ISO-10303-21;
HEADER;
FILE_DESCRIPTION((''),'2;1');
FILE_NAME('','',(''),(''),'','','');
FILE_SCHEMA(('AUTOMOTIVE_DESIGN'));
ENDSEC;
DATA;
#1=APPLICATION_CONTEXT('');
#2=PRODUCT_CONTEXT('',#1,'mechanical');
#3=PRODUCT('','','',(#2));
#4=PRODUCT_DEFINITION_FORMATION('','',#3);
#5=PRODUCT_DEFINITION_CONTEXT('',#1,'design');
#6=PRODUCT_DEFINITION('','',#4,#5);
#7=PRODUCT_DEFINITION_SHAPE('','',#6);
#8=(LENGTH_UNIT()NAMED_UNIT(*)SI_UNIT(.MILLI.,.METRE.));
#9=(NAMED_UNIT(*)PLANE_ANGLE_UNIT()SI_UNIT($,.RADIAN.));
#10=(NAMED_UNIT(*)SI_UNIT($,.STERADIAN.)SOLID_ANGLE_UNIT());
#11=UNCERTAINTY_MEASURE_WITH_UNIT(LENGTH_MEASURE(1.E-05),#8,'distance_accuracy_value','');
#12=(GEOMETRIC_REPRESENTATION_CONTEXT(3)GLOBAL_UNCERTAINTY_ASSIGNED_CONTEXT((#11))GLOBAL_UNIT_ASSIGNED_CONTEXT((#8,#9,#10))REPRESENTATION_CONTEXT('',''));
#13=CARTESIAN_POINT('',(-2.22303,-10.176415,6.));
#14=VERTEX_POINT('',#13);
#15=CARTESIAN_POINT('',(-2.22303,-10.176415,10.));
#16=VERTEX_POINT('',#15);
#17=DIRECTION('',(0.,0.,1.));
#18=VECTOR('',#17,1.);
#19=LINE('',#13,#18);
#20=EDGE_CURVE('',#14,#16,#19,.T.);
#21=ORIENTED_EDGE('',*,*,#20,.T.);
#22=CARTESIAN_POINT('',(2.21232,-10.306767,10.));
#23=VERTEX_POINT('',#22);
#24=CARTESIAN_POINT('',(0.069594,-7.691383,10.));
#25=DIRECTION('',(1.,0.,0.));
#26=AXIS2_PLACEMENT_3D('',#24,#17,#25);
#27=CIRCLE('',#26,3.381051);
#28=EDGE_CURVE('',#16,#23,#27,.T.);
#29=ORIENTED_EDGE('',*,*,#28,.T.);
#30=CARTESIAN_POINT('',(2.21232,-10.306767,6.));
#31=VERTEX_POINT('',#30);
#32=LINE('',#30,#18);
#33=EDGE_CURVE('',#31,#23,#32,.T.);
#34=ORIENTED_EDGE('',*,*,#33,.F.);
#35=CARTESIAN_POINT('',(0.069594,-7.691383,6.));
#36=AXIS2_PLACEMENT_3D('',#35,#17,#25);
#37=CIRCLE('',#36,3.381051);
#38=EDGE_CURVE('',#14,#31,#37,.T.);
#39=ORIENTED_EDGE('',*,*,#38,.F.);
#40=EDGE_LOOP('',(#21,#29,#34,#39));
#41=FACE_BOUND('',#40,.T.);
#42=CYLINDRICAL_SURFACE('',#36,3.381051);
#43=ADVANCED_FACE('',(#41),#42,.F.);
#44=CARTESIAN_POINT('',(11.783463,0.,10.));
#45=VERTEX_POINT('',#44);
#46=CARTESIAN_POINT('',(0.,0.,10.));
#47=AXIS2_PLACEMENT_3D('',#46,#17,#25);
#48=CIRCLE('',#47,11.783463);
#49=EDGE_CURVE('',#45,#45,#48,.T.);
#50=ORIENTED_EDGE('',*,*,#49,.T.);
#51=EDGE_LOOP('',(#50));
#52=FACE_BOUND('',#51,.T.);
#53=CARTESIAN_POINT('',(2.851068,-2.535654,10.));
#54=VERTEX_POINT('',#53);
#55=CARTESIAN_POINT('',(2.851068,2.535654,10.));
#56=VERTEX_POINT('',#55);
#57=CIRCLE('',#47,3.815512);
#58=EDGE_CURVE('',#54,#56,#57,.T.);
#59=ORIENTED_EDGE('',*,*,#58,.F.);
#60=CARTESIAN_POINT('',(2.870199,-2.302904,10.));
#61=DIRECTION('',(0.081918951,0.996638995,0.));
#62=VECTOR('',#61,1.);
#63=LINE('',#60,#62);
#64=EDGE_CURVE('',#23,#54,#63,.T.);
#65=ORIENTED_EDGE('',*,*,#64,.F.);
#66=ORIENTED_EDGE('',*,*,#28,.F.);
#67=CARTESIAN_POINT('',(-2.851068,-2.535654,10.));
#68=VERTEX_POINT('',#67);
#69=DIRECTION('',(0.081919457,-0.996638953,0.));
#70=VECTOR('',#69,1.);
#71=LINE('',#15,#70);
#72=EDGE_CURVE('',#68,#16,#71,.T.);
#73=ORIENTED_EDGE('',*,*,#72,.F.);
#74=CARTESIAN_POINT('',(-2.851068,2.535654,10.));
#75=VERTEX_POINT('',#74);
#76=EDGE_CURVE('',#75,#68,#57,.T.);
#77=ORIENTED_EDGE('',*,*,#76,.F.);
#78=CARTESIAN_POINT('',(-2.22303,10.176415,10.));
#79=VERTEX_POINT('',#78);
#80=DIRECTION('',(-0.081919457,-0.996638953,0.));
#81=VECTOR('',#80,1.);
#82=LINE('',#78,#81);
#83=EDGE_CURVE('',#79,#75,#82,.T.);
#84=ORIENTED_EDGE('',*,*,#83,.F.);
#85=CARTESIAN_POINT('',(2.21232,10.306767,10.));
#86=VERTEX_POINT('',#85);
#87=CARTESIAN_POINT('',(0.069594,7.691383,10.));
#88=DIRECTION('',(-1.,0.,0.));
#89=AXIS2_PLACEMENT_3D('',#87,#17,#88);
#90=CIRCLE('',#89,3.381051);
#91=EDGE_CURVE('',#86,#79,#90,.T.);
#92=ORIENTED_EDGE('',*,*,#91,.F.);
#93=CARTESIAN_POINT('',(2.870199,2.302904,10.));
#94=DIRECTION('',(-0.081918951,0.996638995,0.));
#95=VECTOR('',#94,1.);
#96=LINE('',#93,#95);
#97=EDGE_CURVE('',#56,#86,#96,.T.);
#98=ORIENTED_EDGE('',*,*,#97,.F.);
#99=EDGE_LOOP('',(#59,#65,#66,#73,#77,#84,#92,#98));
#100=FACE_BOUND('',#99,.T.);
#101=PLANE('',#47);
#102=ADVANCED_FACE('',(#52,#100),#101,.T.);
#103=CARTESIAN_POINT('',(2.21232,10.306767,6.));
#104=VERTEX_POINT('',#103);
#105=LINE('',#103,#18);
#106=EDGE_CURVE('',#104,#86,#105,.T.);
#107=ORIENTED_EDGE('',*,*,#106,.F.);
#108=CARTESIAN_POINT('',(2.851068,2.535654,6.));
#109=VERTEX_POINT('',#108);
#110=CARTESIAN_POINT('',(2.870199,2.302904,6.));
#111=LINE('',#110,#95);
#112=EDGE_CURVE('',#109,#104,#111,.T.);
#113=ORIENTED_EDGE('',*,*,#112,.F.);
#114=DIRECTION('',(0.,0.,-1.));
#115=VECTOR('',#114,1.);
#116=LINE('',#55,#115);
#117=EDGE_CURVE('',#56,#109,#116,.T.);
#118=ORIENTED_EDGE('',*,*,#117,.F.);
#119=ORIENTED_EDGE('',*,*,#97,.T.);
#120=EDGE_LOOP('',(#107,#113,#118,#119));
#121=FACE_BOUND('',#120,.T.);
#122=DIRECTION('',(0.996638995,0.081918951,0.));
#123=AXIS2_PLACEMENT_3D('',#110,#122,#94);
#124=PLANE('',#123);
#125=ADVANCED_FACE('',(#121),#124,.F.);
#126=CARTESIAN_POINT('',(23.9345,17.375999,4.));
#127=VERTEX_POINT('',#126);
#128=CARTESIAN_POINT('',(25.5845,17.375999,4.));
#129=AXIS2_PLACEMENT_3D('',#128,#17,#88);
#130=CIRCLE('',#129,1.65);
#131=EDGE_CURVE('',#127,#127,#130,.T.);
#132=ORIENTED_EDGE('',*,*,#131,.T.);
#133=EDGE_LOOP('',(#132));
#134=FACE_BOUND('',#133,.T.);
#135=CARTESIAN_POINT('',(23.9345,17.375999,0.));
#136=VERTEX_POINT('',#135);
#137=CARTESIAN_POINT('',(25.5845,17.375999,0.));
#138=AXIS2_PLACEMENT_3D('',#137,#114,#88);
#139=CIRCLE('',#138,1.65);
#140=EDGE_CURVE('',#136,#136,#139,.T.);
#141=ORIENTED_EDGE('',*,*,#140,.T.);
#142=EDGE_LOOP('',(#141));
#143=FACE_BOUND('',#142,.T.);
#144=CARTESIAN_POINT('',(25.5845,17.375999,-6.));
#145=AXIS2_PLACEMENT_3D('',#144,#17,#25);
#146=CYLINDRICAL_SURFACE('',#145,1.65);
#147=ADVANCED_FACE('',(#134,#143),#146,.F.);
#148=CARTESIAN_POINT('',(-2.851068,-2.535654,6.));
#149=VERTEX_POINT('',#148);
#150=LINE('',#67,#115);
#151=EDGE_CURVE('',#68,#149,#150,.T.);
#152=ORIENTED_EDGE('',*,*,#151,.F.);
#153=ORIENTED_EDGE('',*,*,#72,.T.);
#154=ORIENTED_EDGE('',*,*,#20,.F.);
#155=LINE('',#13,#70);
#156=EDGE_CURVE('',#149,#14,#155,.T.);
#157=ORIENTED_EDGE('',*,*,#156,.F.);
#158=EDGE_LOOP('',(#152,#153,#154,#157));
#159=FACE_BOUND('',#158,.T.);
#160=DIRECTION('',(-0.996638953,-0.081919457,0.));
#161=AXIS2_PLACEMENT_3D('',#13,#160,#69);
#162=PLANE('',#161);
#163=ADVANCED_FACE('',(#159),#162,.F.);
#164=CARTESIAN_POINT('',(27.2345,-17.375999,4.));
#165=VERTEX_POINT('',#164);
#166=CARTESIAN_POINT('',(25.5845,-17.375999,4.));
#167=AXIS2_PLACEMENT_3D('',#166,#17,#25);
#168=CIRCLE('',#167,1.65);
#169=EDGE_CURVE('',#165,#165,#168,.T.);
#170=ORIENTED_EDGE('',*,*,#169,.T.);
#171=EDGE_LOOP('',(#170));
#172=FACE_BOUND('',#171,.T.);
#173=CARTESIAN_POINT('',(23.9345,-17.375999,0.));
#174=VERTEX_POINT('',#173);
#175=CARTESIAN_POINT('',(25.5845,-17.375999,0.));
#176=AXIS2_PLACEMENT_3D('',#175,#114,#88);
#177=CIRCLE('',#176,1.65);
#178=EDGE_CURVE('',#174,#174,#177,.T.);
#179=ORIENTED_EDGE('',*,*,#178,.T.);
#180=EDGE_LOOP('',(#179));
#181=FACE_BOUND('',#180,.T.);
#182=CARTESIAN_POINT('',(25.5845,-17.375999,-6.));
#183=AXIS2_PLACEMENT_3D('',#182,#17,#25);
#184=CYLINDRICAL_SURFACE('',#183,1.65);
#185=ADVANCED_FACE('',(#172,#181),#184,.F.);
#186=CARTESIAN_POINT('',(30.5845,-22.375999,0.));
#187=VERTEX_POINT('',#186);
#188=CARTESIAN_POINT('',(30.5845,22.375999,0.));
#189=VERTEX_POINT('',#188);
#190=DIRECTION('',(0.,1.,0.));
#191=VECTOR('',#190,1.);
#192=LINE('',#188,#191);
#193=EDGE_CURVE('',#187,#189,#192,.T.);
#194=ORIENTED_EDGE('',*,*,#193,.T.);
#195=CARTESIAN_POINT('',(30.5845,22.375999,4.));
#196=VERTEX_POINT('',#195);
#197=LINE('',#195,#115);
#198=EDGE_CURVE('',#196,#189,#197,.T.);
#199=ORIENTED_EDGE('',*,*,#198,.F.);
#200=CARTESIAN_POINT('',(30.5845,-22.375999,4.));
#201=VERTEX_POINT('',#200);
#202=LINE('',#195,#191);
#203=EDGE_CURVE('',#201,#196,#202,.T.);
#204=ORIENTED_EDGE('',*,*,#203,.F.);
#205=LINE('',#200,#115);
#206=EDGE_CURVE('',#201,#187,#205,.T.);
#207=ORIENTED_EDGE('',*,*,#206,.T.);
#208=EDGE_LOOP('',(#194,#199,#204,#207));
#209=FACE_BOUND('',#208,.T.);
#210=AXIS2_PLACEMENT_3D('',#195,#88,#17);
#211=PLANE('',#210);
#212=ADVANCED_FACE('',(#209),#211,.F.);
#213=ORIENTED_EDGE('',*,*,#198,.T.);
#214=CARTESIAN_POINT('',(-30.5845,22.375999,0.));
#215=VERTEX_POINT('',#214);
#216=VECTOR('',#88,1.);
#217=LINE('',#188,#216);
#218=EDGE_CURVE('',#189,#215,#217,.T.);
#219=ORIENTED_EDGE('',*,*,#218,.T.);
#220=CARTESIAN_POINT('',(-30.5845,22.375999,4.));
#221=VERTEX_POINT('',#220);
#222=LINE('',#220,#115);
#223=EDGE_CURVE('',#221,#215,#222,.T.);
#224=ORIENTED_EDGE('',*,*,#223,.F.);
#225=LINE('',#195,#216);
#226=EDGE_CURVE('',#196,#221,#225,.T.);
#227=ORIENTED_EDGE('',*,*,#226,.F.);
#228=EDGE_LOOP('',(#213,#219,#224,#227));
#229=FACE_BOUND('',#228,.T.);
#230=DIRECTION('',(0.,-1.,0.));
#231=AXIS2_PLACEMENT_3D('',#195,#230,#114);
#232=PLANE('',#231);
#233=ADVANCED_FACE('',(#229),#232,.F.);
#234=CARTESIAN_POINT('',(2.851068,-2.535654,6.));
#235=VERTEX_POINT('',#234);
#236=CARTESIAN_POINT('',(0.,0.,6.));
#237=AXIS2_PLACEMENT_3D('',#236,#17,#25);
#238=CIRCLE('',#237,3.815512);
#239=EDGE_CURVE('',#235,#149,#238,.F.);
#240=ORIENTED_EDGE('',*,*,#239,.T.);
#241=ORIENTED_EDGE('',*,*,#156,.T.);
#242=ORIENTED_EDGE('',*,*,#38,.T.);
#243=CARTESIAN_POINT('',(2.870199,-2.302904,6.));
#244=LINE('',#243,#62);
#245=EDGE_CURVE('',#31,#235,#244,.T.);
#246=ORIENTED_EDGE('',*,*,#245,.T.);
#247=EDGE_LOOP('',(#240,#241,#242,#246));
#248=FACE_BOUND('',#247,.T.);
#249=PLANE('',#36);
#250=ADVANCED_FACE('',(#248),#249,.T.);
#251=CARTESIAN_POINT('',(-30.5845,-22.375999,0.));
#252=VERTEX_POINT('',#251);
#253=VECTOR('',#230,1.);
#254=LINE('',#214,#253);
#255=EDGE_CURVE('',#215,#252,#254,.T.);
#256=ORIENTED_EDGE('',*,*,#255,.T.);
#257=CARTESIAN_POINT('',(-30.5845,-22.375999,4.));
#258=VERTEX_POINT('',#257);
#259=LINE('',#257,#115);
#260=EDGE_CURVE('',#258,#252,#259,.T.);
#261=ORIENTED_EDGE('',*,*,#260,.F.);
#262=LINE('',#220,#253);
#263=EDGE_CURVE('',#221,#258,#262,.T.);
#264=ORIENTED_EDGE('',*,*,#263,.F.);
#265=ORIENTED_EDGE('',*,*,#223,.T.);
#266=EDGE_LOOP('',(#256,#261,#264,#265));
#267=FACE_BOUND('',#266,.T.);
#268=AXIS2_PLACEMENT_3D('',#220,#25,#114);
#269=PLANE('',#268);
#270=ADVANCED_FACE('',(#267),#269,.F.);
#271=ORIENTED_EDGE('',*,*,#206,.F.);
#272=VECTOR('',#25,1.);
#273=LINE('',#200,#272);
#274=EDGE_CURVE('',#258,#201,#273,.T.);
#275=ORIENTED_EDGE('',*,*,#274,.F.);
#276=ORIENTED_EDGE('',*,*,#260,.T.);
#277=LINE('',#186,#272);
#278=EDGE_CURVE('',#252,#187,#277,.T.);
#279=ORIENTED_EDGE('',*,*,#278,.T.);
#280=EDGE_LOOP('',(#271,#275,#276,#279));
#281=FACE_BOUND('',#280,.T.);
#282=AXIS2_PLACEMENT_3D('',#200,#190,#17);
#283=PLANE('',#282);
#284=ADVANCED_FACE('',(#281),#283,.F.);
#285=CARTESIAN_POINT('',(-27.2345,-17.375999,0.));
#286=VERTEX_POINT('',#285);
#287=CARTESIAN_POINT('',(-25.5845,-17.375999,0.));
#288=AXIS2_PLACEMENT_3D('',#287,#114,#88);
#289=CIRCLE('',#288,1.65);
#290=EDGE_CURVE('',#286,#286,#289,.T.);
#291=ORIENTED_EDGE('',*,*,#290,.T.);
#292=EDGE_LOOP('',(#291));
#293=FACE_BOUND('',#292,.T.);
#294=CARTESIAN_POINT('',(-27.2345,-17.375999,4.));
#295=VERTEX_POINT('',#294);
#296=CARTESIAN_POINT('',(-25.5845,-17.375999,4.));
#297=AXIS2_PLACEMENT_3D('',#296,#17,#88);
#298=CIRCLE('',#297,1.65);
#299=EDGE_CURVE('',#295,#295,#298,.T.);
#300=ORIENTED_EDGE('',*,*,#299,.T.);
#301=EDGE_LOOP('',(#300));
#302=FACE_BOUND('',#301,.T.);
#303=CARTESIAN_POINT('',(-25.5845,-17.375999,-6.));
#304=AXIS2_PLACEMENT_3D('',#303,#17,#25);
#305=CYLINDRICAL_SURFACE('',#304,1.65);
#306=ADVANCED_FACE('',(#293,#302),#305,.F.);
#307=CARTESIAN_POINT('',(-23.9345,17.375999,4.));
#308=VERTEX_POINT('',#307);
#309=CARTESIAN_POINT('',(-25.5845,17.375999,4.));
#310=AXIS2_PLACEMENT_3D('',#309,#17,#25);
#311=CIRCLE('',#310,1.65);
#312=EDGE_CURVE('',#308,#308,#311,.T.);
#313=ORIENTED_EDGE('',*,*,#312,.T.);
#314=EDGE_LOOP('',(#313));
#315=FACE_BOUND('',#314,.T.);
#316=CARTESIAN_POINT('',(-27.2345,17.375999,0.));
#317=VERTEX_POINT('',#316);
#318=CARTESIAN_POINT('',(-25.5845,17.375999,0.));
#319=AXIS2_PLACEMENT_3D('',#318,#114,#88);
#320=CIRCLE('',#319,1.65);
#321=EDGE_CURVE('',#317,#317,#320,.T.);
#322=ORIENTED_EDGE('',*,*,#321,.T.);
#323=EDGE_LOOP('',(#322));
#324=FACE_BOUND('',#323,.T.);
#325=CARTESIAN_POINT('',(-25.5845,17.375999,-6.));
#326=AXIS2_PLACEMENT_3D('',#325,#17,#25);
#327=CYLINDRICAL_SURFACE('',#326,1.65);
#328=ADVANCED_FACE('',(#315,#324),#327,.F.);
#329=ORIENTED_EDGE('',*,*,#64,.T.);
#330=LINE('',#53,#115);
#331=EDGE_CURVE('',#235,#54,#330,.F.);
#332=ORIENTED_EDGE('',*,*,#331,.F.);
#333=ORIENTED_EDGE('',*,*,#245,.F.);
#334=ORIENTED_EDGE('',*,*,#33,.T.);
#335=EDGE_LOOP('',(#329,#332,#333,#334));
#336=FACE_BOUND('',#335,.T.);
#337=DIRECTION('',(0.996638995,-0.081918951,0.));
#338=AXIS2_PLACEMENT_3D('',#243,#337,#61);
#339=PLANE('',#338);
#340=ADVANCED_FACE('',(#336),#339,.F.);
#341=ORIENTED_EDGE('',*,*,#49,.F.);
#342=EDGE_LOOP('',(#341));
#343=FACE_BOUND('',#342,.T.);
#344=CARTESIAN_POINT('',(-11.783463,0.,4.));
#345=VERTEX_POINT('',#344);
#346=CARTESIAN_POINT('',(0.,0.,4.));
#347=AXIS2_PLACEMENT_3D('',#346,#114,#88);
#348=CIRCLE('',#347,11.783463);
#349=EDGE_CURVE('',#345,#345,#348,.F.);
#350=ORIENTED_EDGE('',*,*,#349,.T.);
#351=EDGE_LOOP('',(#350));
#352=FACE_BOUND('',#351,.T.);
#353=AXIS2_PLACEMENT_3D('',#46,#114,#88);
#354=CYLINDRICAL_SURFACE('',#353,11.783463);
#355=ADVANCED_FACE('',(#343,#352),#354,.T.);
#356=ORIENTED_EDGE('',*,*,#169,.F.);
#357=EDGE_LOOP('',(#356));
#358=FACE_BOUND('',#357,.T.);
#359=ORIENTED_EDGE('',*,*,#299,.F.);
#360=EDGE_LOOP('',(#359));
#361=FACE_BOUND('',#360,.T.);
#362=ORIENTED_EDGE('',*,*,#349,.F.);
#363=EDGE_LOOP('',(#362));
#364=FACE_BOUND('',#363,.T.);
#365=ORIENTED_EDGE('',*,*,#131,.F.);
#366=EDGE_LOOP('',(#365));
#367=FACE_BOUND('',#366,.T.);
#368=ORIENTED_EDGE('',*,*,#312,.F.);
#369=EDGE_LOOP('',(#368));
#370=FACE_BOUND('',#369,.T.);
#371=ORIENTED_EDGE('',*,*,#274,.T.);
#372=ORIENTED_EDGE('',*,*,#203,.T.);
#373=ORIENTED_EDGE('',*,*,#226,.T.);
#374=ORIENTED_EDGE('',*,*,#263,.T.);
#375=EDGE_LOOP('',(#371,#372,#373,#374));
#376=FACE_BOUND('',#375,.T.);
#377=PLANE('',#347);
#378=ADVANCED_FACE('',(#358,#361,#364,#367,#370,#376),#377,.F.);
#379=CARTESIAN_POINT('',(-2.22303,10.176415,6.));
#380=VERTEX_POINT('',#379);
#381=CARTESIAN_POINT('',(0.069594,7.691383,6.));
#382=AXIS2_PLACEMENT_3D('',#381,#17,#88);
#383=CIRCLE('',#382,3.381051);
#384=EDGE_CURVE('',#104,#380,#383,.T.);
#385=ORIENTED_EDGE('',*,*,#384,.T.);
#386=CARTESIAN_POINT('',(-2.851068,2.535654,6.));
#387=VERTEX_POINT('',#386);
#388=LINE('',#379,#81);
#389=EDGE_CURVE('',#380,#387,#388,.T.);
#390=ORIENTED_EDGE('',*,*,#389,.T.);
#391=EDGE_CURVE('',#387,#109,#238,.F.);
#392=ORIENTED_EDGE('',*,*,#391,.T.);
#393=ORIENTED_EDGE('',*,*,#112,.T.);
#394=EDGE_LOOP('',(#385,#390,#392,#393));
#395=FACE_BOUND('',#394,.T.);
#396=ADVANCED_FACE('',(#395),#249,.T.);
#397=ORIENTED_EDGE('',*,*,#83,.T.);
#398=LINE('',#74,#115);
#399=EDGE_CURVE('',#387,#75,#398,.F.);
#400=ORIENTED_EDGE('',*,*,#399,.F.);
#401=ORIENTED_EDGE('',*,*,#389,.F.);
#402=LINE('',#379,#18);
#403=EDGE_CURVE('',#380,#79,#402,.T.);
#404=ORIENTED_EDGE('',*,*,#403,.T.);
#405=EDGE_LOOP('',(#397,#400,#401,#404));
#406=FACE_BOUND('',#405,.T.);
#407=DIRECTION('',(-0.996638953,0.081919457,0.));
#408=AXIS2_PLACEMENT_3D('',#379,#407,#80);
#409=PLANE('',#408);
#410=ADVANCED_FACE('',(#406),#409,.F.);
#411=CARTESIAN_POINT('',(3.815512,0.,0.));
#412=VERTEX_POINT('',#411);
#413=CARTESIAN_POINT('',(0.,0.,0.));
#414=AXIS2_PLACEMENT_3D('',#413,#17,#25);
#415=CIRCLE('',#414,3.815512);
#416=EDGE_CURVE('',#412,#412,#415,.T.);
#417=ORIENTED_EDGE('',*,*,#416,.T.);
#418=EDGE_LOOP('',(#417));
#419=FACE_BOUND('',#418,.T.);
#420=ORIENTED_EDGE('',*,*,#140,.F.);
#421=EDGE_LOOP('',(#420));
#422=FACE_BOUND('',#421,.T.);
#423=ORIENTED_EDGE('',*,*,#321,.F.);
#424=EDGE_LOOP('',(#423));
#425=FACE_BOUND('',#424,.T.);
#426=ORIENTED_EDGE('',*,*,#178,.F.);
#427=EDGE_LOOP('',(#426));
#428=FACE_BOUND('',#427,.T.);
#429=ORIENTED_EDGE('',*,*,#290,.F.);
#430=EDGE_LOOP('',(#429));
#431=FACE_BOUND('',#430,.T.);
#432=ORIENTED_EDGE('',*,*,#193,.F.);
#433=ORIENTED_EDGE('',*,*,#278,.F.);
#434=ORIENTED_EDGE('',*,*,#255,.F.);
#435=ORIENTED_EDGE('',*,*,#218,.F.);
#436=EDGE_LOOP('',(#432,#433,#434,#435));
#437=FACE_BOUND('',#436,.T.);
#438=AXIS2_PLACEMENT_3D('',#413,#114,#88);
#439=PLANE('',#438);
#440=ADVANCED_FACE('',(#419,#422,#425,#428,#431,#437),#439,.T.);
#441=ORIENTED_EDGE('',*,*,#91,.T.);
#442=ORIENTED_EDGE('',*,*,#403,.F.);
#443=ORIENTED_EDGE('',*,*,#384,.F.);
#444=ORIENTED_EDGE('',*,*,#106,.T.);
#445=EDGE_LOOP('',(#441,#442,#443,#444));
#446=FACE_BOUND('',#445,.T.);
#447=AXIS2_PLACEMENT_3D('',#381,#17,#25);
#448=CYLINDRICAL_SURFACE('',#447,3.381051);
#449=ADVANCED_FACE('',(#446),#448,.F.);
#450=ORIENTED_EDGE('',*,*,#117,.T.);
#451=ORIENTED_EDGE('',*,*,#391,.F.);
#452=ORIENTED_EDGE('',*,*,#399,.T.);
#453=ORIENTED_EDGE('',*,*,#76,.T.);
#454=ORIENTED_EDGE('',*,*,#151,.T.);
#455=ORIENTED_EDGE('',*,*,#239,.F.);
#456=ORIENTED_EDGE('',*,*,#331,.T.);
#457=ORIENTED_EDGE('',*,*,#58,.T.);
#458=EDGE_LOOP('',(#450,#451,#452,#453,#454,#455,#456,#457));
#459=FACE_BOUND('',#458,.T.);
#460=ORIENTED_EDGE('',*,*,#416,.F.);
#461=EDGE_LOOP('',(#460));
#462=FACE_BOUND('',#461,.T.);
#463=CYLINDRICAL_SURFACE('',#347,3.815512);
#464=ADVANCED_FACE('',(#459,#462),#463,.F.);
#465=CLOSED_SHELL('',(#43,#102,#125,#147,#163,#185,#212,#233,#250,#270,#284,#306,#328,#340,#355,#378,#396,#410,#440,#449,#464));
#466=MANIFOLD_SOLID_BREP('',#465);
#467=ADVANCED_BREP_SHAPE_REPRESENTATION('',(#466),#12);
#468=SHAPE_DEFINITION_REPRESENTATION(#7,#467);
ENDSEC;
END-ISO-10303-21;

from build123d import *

# Parameters (mm, degrees)
ESQUISSE1_W             = 61.168999858
ESQUISSE1_H             = 44.751998484
ESQUISSE1_R             = 3.815511502
BOSS_EXTRU_2_DEPTH      = 4
BOSS_EXTRU_4_START      = 4
ESQUISSE2_R             = 11.783463465
BOSS_EXTRU_4_DEPTH      = 6
ENL_V_MAT_EXTRU_1_DEPTH = 4
ESQUISSE1_2_R           = 3.815511502
ENL_V_MAT_EXTRU_3_DEPTH = 40.193073087
SKETCH1_R               = 1.65
CUT_EXTRUDE1_DEPTH      = 10


with BuildPart() as part:
    # Esquisse1 → Boss.-Extru.2 (new body)
    with BuildSketch(Plane.XY):
        Rectangle(ESQUISSE1_W, ESQUISSE1_H)
        Circle(ESQUISSE1_R, mode=Mode.SUBTRACT)
    extrude(amount=BOSS_EXTRU_2_DEPTH)

    # Esquisse2 → Boss.-Extru.4 (add)
    with BuildSketch(Plane.XY.offset(BOSS_EXTRU_4_START)):
        Circle(ESQUISSE2_R)
    extrude(amount=BOSS_EXTRU_4_DEPTH)

    # Esquisse4 → Enlèv. mat.-Extru.1 (cut)
    with BuildSketch(Plane.XY.offset(10)):
        with BuildLine():
            Line((2.87019869, 2.302904251), (2.212319523, 10.306766943))
            ThreePointArc((2.212319523, 10.306766943), (-0.029730087, 11.070975118), (-2.223029733, 10.17641531))
            Line((-2.223029733, 10.17641531), (-2.870198645, 2.302904307))
            ThreePointArc((-2.870198645, 2.302904307), (-3.679865285, 0), (-2.870198645, -2.302904307))
            Line((-2.870198645, -2.302904307), (-2.223029733, -10.17641531))
            ThreePointArc((-2.223029733, -10.17641531), (-0.029730087, -11.070975118), (2.212319523, -10.306766943))
            Line((2.212319523, -10.306766943), (2.87019869, -2.302904251))
            ThreePointArc((2.87019869, -2.302904251), (3.679865285, 0), (2.87019869, 2.302904251))
        make_face()
    extrude(amount=-ENL_V_MAT_EXTRU_1_DEPTH, mode=Mode.SUBTRACT)

    # Esquisse1<2> → Enlèv. mat.-Extru.3 (cut, through all)
    with BuildSketch(Plane.XY):
        Circle(ESQUISSE1_2_R)
    extrude(amount=ENL_V_MAT_EXTRU_3_DEPTH, mode=Mode.SUBTRACT)

    # Sketch1 → Cut-Extrude1 (cut)
    with BuildSketch(Plane.XY.offset(4)):
        with Locations((-25.584499929, 17.375999242)):
            Circle(SKETCH1_R)
        with Locations((25.584499929, 17.375999242)):
            Circle(SKETCH1_R)
        with Locations((25.584499929, -17.375999242)):
            Circle(SKETCH1_R)
        with Locations((-25.584499929, -17.375999242)):
            Circle(SKETCH1_R)
    extrude(amount=-CUT_EXTRUDE1_DEPTH, mode=Mode.SUBTRACT)


solid = part.part
